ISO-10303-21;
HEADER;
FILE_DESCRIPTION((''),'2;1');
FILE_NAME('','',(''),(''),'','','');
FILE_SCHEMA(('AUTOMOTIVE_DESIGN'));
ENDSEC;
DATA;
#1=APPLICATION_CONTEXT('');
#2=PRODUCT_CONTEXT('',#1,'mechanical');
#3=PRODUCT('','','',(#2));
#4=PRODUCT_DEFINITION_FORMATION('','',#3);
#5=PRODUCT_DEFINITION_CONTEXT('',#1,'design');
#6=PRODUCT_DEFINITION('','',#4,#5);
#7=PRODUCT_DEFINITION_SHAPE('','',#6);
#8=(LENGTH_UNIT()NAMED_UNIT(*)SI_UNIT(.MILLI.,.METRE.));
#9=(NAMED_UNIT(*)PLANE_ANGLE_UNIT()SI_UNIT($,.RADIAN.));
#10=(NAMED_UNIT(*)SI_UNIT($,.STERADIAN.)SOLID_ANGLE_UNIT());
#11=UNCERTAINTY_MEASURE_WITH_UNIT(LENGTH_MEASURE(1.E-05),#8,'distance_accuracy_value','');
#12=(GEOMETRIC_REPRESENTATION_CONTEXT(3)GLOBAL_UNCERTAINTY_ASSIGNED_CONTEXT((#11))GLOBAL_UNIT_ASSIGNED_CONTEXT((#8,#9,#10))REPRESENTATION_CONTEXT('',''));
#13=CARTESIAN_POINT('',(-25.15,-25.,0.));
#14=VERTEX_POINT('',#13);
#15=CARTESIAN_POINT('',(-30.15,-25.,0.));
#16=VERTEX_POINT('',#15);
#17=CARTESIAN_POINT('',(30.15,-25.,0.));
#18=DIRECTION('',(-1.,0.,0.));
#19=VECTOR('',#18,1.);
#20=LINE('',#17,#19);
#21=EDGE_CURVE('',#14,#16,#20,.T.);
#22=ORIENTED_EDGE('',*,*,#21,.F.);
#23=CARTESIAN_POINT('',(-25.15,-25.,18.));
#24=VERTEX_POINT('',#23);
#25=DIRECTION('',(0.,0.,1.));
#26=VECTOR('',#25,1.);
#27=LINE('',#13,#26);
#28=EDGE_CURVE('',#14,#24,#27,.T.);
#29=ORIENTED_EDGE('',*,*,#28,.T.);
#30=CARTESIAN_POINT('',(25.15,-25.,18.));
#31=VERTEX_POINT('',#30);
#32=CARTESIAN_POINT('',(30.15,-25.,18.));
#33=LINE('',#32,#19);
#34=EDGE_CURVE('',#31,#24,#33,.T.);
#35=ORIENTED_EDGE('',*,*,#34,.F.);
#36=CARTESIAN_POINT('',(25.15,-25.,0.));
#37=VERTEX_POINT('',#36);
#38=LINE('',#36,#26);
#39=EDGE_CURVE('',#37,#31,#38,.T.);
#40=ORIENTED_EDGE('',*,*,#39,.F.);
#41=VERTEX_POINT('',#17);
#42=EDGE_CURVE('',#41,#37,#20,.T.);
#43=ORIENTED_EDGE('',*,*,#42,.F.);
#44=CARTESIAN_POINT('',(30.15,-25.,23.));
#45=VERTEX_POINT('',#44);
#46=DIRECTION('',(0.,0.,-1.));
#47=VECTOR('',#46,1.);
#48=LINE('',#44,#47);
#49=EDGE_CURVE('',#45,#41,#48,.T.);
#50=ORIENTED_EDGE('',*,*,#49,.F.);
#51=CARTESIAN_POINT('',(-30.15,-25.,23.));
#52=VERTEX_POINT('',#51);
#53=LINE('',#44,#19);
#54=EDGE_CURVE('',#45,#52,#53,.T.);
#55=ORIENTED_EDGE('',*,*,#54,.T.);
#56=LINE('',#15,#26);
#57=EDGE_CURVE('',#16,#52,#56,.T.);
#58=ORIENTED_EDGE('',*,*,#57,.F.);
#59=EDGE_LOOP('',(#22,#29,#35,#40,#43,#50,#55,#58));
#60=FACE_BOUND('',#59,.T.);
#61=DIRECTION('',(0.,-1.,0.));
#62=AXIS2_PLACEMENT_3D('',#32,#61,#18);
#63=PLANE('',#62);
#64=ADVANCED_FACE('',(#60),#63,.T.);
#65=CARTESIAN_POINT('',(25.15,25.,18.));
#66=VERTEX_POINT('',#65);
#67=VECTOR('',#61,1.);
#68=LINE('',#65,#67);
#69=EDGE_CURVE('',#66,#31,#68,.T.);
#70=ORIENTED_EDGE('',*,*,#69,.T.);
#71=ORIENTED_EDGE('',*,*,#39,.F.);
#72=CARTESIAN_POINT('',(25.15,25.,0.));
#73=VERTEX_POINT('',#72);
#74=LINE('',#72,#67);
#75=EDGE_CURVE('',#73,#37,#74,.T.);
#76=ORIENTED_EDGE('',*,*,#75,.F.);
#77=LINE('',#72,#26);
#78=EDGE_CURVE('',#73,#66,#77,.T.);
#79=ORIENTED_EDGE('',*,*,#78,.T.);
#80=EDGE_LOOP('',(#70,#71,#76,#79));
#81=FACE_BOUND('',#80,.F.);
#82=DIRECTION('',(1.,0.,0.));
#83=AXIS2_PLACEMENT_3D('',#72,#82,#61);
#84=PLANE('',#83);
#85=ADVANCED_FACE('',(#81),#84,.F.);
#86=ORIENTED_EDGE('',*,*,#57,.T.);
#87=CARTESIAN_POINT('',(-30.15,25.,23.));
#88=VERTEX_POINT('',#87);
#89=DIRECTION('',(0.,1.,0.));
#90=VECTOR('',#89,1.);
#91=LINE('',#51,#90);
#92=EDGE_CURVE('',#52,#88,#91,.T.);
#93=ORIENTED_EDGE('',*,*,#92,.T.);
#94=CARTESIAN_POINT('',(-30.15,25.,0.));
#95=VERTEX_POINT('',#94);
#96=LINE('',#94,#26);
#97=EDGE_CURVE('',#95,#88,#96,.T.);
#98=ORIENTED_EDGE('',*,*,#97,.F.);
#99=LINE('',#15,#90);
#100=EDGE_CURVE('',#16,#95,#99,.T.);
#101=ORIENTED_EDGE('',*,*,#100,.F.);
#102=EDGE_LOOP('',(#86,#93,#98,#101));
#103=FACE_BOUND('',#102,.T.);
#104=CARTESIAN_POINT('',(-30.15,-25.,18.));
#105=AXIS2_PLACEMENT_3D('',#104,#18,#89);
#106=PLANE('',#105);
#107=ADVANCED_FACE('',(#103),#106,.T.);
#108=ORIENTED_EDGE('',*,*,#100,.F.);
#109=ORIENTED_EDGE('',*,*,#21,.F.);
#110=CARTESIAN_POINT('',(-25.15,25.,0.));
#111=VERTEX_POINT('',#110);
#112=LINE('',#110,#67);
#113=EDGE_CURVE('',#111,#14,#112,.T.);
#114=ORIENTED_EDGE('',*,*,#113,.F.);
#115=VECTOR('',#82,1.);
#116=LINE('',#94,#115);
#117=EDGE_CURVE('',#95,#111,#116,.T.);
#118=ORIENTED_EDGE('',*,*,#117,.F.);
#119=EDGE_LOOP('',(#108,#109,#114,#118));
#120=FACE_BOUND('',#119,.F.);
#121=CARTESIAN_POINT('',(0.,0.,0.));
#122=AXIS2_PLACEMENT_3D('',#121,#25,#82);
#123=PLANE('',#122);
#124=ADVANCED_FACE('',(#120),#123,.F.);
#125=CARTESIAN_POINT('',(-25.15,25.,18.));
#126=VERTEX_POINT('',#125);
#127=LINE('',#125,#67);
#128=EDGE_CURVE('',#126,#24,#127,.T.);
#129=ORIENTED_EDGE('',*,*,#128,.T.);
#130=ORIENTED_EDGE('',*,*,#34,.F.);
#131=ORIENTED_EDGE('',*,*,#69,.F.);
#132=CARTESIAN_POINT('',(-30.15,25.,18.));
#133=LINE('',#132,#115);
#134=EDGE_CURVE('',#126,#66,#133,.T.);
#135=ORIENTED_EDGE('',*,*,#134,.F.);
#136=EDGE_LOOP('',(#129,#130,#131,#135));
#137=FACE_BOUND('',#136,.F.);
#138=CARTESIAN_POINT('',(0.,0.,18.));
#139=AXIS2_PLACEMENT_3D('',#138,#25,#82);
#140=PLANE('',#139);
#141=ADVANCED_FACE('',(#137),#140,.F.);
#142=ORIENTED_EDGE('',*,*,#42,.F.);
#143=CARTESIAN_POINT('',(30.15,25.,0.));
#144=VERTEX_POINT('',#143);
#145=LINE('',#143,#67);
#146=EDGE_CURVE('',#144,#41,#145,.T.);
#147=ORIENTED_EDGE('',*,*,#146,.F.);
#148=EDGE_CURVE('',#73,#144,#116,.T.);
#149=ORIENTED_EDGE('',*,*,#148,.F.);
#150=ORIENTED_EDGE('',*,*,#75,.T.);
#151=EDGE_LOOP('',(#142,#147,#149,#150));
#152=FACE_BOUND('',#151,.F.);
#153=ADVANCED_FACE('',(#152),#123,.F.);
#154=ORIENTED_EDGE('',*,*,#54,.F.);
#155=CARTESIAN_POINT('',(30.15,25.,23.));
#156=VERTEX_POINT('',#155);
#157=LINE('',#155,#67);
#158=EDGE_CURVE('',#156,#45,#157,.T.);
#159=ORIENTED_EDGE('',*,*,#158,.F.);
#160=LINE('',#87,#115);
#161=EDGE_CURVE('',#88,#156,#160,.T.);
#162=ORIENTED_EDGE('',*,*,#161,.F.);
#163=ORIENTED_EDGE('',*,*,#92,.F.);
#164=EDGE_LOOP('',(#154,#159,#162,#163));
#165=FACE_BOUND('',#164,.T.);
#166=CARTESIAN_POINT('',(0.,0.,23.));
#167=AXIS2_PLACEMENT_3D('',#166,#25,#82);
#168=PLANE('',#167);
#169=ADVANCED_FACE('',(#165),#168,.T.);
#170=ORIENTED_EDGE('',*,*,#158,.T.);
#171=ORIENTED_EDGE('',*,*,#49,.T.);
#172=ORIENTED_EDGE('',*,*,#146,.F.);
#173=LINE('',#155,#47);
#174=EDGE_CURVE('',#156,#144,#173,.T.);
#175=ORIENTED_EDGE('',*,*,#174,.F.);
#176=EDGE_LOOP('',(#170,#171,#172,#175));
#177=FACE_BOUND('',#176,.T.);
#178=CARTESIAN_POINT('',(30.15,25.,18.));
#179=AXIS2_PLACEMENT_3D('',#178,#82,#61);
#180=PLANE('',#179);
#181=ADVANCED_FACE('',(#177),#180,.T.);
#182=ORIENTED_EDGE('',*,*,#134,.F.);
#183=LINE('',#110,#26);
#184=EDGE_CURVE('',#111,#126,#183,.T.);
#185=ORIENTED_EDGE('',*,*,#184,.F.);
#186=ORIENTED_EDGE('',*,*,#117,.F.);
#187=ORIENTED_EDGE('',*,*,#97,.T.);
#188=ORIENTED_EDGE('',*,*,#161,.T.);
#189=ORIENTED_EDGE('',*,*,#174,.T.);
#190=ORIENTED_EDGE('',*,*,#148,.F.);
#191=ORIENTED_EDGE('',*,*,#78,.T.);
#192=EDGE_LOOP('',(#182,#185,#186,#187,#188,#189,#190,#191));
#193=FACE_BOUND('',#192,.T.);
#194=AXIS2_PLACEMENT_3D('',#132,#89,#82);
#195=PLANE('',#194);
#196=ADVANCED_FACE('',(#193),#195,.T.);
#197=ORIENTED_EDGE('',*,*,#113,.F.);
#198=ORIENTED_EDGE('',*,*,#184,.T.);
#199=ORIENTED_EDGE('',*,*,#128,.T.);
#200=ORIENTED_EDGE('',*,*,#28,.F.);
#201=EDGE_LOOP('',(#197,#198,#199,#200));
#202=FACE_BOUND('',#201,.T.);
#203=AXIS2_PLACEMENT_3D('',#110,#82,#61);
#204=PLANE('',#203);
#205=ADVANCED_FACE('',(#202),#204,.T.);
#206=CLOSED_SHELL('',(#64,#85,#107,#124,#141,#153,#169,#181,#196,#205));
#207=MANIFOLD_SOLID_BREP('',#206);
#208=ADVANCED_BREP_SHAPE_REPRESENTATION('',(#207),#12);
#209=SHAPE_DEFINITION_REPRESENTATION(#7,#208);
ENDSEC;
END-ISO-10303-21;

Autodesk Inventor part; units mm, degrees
ref_plane "YZ Plane" through (0, 0, 0) normal (1, 0, 0) x (0, 1, 0)
ref_plane "XZ Plane" through (0, 0, 0) normal (0, 1, 0) x (-1, 0, 0)
ref_plane "XY Plane" through (0, 0, 0) normal (0, 0, 1) x (1, 0, 0)
sketch "Sketch1" plane through (0, 0, 0) normal (0, 0, 1) x (1, 0, 0)
  line L0 (-30.15, 25) -> (30.15, 25)
  line L1 (30.15, 25) -> (30.15, -25)
  line L2 (30.15, -25) -> (-30.15, -25)
  line L3 (-30.15, -25) -> (-30.15, 25)
  line L4 (-30.15, 25) -> (-25.15, 25)
  line L5 (-25.15, 25) -> (-25.15, -25)
  line L6 (-25.15, -25) -> (-30.15, -25)
  line L7 (-30.15, -25) -> (-30.15, 25)
  line L8 (30.15, 25) -> (25.15, 25)
  line L9 (25.15, 25) -> (25.15, -25)
  line L10 (25.15, -25) -> (30.15, -25)
  line L11 (30.15, -25) -> (30.15, 25)
  point P0 (0, 0)
  point P1 (-30.15, 0)
  point P2 (0, 25)
  dimension "d0" = 60.3
  dimension "d1" = 50
  dimension "d2" = 5
  dimension "d3" = 5
extrude "Extrusion1" add sketch "Sketch1" along normal blind 18 contours L0 L5 L2 L3 | L0 L1 L2 L9
sketch "Sketch2" plane through (0, 0, 18) normal (0, 0, 1) x (1, 0, 0)
  line L0 (-30.15, 25) -> (30.15, 25)
  line L1 (30.15, 25) -> (30.15, -25)
  line L2 (30.15, -25) -> (-30.15, -25)
  line L3 (-30.15, -25) -> (-30.15, 25)
  point P0 (0, 0)
extrude "Extrusion2" add sketch "Sketch2" along normal blind 5
properties part number "Lower Rod Fulcrum"
